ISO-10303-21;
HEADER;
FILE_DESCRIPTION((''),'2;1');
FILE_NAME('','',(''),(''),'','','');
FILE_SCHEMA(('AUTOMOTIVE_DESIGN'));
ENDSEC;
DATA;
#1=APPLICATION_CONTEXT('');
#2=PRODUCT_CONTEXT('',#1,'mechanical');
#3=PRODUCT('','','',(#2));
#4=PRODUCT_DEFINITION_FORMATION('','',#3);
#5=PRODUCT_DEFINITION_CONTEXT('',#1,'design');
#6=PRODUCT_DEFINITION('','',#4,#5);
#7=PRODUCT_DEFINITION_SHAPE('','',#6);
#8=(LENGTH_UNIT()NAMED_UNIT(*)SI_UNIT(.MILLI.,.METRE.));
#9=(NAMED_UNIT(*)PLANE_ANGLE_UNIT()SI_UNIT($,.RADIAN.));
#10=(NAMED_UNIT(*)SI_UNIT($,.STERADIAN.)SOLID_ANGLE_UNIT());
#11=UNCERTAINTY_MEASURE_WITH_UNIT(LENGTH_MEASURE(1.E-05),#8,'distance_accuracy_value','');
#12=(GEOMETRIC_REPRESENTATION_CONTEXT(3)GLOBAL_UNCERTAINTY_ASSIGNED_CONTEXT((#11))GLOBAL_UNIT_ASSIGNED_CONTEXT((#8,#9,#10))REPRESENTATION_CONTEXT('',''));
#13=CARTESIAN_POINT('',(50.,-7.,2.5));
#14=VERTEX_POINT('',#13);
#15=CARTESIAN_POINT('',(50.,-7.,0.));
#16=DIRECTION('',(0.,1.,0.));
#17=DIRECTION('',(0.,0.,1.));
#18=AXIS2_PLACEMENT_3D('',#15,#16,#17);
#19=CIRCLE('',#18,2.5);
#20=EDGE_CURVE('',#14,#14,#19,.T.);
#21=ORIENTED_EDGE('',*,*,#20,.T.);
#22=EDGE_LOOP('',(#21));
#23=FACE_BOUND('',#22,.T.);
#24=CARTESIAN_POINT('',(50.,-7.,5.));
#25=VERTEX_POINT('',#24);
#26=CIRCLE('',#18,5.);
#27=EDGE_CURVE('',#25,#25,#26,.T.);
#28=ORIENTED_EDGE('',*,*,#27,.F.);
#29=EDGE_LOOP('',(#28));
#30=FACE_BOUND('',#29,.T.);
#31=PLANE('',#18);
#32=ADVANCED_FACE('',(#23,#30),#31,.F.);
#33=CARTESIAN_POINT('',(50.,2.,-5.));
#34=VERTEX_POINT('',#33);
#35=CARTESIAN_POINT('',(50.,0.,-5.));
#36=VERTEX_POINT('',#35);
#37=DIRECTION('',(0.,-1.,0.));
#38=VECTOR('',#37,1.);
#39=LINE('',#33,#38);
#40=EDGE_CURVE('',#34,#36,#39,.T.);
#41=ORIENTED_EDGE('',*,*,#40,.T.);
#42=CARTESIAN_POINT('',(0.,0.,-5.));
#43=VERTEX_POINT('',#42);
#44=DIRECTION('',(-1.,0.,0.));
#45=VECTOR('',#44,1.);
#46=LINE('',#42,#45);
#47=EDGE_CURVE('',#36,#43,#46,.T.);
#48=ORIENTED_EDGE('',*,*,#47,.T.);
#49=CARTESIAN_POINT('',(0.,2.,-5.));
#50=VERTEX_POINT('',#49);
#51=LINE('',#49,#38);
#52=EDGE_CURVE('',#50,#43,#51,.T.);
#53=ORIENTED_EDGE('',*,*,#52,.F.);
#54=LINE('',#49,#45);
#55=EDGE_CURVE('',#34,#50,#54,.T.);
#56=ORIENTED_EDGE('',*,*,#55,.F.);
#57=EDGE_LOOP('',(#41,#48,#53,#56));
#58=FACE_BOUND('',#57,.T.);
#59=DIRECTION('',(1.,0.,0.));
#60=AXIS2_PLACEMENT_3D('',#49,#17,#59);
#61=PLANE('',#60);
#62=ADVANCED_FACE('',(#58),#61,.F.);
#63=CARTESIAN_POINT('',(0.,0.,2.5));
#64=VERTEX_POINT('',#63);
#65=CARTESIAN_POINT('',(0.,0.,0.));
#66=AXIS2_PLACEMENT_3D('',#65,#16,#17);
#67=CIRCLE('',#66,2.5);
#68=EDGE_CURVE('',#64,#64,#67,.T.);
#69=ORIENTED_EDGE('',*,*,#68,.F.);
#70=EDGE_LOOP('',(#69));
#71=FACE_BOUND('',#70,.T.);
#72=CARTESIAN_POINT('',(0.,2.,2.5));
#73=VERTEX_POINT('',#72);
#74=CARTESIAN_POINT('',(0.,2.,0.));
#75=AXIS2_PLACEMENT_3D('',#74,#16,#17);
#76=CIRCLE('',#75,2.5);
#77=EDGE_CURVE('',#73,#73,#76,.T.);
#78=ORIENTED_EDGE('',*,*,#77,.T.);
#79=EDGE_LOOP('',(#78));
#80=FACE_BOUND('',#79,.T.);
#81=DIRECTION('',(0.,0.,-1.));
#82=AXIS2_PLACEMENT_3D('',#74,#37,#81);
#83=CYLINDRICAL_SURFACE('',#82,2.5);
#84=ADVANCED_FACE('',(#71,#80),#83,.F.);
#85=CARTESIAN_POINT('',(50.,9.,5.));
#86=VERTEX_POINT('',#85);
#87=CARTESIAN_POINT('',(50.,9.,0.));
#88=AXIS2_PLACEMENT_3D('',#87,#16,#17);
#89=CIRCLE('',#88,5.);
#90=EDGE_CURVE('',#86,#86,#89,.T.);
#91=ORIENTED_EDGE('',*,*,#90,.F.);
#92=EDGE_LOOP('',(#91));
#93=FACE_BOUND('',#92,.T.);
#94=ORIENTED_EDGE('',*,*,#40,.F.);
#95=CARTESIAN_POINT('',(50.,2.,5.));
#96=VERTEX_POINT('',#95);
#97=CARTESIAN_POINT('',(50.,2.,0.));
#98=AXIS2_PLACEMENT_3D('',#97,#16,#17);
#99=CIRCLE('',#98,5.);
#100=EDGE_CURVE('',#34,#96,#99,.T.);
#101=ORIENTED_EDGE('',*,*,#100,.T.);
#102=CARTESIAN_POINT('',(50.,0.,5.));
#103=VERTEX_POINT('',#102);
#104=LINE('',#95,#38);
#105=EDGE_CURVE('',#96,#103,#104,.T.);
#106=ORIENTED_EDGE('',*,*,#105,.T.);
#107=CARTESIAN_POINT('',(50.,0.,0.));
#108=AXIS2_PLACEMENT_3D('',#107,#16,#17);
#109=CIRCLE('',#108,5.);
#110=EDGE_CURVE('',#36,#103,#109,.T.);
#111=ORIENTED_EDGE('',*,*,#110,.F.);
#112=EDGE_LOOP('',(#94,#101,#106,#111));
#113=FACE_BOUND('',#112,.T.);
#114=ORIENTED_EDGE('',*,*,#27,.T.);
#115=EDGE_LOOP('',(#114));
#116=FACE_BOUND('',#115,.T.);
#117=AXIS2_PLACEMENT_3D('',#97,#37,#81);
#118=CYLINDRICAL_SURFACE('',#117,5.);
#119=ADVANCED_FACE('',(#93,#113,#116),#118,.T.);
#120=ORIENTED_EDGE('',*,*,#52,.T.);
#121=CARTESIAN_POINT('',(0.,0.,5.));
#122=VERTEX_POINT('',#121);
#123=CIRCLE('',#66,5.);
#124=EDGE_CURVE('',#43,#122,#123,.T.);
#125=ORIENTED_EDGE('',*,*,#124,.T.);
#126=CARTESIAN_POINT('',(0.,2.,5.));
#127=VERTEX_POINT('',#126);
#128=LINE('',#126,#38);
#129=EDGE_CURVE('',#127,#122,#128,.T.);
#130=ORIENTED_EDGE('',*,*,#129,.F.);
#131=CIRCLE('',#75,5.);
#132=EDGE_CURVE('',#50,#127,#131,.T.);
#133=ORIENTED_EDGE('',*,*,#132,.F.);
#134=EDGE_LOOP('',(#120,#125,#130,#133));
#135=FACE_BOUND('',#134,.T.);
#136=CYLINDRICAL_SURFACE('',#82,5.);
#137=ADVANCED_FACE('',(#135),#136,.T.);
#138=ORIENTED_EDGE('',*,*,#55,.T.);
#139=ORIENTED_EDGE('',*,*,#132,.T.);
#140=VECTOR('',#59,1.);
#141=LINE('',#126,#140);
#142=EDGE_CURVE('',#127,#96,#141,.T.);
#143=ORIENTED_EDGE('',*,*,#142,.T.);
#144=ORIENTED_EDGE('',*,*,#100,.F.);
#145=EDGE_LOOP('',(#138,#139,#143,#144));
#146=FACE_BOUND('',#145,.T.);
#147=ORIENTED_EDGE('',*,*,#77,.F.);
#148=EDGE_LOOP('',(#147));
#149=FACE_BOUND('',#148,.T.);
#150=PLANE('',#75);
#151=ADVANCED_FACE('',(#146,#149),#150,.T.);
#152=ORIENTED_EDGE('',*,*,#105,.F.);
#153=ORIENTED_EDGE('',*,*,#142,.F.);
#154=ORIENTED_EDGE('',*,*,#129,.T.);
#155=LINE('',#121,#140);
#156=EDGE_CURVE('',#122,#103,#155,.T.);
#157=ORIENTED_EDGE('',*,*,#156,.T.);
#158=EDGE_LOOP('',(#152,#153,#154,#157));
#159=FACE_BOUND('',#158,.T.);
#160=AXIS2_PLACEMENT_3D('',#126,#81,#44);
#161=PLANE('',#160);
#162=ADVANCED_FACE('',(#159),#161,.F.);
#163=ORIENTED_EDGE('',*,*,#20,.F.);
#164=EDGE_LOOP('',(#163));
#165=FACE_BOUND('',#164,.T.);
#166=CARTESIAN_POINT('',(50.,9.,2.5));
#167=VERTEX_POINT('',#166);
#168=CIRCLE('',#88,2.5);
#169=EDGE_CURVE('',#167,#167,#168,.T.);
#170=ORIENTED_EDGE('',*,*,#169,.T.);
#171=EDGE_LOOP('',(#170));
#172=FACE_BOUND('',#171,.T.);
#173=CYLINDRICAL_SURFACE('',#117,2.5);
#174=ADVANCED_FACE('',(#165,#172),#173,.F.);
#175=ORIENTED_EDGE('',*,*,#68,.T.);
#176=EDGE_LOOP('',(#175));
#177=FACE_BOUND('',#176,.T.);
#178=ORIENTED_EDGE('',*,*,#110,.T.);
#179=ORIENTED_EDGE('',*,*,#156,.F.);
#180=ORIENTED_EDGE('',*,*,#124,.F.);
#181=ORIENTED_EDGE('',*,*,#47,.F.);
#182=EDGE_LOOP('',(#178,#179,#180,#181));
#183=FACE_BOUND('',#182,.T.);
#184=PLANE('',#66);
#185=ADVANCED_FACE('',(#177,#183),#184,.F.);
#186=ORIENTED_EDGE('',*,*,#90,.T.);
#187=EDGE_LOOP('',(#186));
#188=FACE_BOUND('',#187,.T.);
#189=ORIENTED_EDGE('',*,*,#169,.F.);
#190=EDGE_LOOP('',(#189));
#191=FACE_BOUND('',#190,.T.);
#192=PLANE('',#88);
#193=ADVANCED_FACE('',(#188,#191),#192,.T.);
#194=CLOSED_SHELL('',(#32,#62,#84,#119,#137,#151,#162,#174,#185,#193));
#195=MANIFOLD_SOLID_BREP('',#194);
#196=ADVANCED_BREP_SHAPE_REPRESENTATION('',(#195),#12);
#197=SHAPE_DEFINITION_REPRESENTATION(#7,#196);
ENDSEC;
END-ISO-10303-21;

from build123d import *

# Parameters (mm, degrees)
SKETCH1_R                = 2.5
BOSS_EXTRUDE1_DEPTH      = 2
BOSS_EXTRUDE3_DEPTH      = 8
BOSS_EXTRUDE3_DEPTH_BACK = 8
SKETCH3_R                = 5
SKETCH3_R_2              = 2.5


with BuildPart() as part:
    # Sketch1 → Boss-Extrude1 (new body)
    with BuildSketch(Plane(origin=(0, 0, 0), x_dir=(1, 0, 0), z_dir=(0, 1, 0))):
        with BuildLine():
            Line((0, 5), (50, 5))
            ThreePointArc((50, 5), (55, 0), (50, -5))
            Line((50, -5), (0, -5))
            ThreePointArc((0, -5), (-5, 0), (0, 5))
        make_face()
        with Locations(Location((0, 0, 0), (0, 0, 270))):
            Circle(SKETCH1_R, mode=Mode.SUBTRACT)
        with Locations(Location((50, 0, 0), (0, 0, 270))):
            Circle(SKETCH1_R, mode=Mode.SUBTRACT)
    extrude(amount=BOSS_EXTRUDE1_DEPTH)

    # Sketch3 → Boss-Extrude3 (add, two sides: drawn at the far end of the back side and taken through both)
    with BuildSketch(Plane(origin=(0, 1, 0), x_dir=(1, 0, 0), z_dir=(0, 1, 0)).offset(-BOSS_EXTRUDE3_DEPTH_BACK)):
        with Locations(Location((50, 0, 0), (0, 0, 270))):
            Circle(SKETCH3_R)
        with Locations(Location((50, 0, 0), (0, 0, 270))):
            Circle(SKETCH3_R_2, mode=Mode.SUBTRACT)
    extrude(amount=BOSS_EXTRUDE3_DEPTH + BOSS_EXTRUDE3_DEPTH_BACK)


solid = part.part
